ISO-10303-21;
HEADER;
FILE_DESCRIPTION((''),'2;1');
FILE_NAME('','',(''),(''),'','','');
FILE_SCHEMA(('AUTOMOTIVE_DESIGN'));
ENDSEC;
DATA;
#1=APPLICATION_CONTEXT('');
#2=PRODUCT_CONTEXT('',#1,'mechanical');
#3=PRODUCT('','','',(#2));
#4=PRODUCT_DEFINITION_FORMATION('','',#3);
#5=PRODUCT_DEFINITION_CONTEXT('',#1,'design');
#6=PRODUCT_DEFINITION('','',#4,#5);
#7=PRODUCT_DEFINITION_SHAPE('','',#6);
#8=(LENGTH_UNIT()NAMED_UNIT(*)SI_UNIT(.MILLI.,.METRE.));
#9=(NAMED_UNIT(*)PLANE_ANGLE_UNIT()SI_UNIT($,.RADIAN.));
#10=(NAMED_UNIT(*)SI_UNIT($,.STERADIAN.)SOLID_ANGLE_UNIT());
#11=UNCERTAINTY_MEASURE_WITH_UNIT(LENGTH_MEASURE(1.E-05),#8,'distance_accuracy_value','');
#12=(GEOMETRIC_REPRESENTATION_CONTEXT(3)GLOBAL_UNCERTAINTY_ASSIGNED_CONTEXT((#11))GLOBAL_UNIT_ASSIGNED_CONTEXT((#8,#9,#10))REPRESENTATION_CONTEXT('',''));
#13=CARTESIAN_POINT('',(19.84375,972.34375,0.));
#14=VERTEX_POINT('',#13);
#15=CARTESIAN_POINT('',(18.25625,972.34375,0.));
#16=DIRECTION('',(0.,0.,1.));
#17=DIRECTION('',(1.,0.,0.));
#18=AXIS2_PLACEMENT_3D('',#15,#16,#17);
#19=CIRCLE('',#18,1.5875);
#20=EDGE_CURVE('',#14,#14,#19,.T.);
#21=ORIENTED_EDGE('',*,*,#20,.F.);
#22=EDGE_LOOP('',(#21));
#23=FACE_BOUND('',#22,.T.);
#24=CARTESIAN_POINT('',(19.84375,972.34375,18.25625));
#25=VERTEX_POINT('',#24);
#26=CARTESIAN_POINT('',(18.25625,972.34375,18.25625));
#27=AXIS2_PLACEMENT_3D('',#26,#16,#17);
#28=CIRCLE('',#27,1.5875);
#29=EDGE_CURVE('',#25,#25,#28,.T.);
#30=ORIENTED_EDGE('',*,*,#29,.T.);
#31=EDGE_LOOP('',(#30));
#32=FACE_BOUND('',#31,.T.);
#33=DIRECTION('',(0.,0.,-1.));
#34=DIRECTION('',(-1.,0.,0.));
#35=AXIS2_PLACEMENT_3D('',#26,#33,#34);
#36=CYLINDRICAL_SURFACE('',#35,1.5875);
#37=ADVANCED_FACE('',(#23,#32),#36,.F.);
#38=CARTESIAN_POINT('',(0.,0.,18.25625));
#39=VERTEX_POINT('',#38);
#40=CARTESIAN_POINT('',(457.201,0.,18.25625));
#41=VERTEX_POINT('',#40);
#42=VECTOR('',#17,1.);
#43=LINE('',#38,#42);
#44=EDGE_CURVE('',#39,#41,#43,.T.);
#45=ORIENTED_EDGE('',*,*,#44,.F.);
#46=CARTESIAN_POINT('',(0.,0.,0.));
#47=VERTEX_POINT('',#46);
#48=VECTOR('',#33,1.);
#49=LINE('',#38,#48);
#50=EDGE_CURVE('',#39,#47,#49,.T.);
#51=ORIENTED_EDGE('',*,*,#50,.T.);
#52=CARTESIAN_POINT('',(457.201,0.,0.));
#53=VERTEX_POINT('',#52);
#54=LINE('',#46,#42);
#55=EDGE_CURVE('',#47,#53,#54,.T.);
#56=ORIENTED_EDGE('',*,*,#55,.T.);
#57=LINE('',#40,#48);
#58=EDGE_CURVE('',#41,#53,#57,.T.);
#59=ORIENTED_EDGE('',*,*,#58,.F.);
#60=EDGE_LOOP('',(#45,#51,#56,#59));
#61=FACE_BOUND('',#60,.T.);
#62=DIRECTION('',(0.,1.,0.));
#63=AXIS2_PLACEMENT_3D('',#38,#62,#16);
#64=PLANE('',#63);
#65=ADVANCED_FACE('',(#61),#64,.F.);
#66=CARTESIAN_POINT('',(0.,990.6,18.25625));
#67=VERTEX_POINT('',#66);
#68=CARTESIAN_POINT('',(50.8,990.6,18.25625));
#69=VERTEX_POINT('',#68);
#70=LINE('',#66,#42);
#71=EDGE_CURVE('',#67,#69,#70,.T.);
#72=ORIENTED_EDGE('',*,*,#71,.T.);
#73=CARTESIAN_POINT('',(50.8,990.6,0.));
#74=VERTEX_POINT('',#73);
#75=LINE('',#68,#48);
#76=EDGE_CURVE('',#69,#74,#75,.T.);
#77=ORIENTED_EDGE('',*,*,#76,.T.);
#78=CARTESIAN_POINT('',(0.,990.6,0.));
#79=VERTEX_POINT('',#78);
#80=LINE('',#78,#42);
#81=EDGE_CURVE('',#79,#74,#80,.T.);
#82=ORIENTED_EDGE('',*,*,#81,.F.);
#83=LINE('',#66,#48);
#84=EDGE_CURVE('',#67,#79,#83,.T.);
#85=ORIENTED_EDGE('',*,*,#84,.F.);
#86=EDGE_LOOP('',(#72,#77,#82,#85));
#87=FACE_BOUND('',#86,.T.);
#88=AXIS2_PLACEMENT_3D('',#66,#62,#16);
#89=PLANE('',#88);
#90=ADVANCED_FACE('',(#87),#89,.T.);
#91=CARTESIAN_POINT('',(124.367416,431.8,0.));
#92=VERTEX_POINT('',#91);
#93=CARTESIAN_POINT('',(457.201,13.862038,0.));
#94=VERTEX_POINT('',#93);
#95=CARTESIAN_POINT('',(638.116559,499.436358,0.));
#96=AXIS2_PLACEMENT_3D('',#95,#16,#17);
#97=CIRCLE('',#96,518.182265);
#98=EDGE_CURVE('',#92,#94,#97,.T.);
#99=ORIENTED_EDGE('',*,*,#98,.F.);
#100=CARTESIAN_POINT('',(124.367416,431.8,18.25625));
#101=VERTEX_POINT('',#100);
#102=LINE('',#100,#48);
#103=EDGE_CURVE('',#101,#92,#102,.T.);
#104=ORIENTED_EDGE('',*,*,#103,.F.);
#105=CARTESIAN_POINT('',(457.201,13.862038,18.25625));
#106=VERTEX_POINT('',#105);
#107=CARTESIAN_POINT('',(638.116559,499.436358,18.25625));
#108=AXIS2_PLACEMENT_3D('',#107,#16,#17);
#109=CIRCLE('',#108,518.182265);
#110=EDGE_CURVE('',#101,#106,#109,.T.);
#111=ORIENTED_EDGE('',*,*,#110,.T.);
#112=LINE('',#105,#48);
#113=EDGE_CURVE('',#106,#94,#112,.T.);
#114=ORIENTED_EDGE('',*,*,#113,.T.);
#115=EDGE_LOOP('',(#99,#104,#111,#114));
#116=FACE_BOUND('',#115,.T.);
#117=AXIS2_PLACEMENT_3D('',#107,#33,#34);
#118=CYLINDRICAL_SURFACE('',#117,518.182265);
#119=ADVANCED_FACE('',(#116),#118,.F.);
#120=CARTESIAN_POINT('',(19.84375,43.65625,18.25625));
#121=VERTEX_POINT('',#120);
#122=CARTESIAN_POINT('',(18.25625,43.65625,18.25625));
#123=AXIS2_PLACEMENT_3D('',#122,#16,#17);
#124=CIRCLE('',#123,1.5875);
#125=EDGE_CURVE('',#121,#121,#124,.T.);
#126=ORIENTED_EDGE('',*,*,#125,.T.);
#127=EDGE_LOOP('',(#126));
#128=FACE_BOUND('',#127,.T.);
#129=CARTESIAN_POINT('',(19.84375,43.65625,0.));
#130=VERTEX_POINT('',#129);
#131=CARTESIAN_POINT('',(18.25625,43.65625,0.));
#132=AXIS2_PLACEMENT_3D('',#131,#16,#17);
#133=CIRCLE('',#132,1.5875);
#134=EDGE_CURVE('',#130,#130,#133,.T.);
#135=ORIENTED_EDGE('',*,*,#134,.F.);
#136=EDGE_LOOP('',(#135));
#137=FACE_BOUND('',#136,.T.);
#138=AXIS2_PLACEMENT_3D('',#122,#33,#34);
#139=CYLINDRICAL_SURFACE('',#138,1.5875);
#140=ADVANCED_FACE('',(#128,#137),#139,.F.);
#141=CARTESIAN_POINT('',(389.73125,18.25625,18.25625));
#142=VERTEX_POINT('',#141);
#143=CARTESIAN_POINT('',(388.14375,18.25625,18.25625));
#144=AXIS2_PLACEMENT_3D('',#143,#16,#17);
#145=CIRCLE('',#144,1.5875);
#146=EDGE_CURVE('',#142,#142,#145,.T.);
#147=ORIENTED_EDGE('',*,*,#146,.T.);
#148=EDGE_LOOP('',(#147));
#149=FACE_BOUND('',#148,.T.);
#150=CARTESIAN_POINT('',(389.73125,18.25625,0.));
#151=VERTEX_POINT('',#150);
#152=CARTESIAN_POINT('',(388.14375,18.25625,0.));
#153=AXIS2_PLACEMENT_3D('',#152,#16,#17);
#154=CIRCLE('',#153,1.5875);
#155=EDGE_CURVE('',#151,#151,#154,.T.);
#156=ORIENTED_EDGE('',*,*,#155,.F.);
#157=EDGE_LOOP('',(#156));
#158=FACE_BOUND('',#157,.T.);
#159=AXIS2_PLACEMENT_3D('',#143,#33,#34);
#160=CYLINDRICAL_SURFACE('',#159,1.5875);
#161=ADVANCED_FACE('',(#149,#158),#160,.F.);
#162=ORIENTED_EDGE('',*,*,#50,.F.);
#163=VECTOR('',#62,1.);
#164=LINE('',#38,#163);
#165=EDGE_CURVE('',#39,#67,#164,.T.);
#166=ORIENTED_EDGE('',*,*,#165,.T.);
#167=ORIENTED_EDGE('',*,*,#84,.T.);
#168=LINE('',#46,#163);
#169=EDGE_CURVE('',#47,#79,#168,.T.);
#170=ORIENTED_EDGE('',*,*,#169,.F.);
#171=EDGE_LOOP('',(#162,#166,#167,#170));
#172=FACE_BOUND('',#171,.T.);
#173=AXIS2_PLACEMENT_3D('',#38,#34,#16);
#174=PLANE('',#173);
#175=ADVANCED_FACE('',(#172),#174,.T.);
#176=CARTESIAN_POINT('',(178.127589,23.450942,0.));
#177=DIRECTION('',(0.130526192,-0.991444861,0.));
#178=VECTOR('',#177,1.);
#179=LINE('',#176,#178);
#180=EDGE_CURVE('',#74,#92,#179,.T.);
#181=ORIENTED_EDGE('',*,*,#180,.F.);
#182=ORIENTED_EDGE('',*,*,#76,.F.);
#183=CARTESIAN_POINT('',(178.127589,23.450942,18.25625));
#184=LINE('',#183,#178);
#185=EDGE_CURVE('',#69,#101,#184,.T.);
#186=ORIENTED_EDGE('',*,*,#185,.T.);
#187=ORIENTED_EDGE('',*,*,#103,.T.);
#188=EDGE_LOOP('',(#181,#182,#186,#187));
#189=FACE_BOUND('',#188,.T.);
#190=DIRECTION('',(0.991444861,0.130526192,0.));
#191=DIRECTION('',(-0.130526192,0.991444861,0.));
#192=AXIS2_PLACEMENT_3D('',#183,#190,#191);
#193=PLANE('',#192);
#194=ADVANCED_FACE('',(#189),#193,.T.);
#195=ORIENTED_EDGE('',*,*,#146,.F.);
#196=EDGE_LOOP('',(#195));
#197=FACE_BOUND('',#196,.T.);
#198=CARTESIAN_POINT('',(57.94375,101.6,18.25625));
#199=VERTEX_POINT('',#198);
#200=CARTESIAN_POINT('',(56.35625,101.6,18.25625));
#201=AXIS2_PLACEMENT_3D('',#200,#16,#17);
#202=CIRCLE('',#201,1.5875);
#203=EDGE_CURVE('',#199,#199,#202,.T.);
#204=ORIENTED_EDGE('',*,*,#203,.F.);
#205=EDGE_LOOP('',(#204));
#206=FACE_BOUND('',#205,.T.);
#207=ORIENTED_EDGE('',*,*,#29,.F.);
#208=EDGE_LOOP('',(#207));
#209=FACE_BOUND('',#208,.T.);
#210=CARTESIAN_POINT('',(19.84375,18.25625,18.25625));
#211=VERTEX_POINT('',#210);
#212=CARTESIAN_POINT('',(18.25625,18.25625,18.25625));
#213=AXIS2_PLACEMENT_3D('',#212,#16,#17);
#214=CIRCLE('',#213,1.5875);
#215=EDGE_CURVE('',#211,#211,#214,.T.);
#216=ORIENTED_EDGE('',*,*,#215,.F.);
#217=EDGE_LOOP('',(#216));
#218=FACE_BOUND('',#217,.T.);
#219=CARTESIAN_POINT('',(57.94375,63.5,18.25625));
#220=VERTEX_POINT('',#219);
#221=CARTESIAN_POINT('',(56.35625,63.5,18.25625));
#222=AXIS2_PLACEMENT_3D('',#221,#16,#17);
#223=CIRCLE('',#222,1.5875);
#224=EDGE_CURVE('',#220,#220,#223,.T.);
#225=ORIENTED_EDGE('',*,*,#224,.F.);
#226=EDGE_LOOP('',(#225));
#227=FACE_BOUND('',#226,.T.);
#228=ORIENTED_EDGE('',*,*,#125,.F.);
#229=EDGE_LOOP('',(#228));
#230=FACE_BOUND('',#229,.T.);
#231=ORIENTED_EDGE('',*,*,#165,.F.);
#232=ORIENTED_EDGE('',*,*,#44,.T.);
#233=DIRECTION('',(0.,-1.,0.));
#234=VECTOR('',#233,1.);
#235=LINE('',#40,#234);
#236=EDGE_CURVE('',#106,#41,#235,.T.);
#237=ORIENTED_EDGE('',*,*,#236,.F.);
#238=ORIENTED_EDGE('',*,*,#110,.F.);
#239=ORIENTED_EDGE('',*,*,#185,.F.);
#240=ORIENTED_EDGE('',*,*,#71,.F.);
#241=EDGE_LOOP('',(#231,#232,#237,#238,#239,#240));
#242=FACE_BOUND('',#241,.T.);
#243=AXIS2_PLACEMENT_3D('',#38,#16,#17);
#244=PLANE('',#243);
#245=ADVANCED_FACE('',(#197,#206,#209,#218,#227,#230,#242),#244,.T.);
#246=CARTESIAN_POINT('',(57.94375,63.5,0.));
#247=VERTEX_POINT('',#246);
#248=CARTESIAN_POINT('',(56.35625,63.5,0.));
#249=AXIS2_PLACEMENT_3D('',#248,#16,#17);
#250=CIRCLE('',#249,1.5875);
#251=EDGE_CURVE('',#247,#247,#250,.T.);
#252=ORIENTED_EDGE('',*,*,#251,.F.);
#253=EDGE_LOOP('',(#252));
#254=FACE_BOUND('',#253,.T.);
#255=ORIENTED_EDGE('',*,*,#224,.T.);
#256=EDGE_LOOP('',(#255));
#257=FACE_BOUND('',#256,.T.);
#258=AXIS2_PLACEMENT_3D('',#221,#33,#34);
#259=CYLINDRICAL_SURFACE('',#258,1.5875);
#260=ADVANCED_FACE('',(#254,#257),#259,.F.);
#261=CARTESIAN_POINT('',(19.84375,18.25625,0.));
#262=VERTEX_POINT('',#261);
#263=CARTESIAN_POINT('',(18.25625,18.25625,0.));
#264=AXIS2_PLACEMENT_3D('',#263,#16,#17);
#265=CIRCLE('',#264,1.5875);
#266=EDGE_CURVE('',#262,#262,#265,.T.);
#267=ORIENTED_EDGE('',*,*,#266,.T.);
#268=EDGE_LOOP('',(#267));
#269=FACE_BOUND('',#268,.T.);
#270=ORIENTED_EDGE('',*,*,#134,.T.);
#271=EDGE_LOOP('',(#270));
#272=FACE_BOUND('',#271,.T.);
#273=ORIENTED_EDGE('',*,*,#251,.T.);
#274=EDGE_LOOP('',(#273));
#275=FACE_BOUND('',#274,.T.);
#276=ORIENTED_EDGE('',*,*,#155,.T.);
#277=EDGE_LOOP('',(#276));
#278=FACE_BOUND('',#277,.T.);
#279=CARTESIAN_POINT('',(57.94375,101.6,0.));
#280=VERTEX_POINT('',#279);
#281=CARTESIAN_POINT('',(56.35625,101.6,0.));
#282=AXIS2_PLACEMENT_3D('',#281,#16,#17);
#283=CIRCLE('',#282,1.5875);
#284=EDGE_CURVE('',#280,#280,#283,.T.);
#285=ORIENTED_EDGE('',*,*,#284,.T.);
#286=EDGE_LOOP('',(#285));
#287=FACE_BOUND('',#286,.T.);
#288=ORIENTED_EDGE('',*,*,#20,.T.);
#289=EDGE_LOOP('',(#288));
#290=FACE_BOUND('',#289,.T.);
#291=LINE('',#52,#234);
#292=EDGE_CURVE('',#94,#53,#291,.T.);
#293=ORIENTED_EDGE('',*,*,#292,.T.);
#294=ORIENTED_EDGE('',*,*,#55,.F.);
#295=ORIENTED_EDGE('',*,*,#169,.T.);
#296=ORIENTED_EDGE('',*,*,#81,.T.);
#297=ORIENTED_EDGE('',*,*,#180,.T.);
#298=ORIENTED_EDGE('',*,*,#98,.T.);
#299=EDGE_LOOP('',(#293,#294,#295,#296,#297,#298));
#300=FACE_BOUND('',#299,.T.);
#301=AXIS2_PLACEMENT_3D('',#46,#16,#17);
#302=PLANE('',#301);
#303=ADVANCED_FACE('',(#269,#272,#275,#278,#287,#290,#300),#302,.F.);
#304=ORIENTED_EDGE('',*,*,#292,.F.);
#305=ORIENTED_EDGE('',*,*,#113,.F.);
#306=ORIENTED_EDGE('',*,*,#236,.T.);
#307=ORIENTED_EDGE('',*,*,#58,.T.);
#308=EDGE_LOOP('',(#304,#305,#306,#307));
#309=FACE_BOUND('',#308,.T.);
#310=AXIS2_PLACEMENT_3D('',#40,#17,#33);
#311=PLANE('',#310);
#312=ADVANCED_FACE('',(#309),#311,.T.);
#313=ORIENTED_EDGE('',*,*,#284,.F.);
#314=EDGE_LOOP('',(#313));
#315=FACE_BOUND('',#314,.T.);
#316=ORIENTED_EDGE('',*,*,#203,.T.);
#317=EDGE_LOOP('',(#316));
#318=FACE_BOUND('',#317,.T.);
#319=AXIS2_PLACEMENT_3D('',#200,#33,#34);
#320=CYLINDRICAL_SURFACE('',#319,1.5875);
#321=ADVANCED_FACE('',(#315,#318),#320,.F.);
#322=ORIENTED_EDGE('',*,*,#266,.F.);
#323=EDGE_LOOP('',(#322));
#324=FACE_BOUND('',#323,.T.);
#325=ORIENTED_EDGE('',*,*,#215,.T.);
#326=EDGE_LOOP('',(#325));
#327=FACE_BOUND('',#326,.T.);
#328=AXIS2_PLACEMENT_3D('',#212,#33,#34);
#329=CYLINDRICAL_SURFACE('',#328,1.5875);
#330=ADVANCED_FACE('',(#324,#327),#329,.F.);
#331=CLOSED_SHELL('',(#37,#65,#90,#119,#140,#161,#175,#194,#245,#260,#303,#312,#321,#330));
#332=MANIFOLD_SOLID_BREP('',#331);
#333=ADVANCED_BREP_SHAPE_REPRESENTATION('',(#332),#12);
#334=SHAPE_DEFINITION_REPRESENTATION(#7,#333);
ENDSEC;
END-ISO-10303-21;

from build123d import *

# Parameters (mm, degrees)
SKETCH1_R           = 1.5875
BOSS_EXTRUDE1_DEPTH = 18.25625


with BuildPart() as part:
    # Sketch1 → Boss-Extrude1 (new body)
    with BuildSketch(Plane.XY):
        with BuildLine():
            Line((0, 990.6), (0, 0))
            Line((0, 0), (457.201, 0))
            Line((457.201, 0), (457.201, 13.862038208))
            ThreePointArc((457.201, 13.862038208), (232.767577124, 176.628269142), (124.367415652, 431.8))
            Line((124.367415652, 431.8), (50.8, 990.6))
            Line((50.8, 990.6), (0, 990.6))
        make_face()
        with Locations((18.25625, 18.25625)):
            Circle(SKETCH1_R, mode=Mode.SUBTRACT)
        with Locations((18.25625, 43.65625)):
            Circle(SKETCH1_R, mode=Mode.SUBTRACT)
        with Locations((56.35625, 63.5)):
            Circle(SKETCH1_R, mode=Mode.SUBTRACT)
        with Locations((56.35625, 101.6)):
            Circle(SKETCH1_R, mode=Mode.SUBTRACT)
        with Locations((388.14375, 18.25625)):
            Circle(SKETCH1_R, mode=Mode.SUBTRACT)
        with Locations((18.25625, 972.34375)):
            Circle(SKETCH1_R, mode=Mode.SUBTRACT)
    extrude(amount=BOSS_EXTRUDE1_DEPTH)


solid = part.part
